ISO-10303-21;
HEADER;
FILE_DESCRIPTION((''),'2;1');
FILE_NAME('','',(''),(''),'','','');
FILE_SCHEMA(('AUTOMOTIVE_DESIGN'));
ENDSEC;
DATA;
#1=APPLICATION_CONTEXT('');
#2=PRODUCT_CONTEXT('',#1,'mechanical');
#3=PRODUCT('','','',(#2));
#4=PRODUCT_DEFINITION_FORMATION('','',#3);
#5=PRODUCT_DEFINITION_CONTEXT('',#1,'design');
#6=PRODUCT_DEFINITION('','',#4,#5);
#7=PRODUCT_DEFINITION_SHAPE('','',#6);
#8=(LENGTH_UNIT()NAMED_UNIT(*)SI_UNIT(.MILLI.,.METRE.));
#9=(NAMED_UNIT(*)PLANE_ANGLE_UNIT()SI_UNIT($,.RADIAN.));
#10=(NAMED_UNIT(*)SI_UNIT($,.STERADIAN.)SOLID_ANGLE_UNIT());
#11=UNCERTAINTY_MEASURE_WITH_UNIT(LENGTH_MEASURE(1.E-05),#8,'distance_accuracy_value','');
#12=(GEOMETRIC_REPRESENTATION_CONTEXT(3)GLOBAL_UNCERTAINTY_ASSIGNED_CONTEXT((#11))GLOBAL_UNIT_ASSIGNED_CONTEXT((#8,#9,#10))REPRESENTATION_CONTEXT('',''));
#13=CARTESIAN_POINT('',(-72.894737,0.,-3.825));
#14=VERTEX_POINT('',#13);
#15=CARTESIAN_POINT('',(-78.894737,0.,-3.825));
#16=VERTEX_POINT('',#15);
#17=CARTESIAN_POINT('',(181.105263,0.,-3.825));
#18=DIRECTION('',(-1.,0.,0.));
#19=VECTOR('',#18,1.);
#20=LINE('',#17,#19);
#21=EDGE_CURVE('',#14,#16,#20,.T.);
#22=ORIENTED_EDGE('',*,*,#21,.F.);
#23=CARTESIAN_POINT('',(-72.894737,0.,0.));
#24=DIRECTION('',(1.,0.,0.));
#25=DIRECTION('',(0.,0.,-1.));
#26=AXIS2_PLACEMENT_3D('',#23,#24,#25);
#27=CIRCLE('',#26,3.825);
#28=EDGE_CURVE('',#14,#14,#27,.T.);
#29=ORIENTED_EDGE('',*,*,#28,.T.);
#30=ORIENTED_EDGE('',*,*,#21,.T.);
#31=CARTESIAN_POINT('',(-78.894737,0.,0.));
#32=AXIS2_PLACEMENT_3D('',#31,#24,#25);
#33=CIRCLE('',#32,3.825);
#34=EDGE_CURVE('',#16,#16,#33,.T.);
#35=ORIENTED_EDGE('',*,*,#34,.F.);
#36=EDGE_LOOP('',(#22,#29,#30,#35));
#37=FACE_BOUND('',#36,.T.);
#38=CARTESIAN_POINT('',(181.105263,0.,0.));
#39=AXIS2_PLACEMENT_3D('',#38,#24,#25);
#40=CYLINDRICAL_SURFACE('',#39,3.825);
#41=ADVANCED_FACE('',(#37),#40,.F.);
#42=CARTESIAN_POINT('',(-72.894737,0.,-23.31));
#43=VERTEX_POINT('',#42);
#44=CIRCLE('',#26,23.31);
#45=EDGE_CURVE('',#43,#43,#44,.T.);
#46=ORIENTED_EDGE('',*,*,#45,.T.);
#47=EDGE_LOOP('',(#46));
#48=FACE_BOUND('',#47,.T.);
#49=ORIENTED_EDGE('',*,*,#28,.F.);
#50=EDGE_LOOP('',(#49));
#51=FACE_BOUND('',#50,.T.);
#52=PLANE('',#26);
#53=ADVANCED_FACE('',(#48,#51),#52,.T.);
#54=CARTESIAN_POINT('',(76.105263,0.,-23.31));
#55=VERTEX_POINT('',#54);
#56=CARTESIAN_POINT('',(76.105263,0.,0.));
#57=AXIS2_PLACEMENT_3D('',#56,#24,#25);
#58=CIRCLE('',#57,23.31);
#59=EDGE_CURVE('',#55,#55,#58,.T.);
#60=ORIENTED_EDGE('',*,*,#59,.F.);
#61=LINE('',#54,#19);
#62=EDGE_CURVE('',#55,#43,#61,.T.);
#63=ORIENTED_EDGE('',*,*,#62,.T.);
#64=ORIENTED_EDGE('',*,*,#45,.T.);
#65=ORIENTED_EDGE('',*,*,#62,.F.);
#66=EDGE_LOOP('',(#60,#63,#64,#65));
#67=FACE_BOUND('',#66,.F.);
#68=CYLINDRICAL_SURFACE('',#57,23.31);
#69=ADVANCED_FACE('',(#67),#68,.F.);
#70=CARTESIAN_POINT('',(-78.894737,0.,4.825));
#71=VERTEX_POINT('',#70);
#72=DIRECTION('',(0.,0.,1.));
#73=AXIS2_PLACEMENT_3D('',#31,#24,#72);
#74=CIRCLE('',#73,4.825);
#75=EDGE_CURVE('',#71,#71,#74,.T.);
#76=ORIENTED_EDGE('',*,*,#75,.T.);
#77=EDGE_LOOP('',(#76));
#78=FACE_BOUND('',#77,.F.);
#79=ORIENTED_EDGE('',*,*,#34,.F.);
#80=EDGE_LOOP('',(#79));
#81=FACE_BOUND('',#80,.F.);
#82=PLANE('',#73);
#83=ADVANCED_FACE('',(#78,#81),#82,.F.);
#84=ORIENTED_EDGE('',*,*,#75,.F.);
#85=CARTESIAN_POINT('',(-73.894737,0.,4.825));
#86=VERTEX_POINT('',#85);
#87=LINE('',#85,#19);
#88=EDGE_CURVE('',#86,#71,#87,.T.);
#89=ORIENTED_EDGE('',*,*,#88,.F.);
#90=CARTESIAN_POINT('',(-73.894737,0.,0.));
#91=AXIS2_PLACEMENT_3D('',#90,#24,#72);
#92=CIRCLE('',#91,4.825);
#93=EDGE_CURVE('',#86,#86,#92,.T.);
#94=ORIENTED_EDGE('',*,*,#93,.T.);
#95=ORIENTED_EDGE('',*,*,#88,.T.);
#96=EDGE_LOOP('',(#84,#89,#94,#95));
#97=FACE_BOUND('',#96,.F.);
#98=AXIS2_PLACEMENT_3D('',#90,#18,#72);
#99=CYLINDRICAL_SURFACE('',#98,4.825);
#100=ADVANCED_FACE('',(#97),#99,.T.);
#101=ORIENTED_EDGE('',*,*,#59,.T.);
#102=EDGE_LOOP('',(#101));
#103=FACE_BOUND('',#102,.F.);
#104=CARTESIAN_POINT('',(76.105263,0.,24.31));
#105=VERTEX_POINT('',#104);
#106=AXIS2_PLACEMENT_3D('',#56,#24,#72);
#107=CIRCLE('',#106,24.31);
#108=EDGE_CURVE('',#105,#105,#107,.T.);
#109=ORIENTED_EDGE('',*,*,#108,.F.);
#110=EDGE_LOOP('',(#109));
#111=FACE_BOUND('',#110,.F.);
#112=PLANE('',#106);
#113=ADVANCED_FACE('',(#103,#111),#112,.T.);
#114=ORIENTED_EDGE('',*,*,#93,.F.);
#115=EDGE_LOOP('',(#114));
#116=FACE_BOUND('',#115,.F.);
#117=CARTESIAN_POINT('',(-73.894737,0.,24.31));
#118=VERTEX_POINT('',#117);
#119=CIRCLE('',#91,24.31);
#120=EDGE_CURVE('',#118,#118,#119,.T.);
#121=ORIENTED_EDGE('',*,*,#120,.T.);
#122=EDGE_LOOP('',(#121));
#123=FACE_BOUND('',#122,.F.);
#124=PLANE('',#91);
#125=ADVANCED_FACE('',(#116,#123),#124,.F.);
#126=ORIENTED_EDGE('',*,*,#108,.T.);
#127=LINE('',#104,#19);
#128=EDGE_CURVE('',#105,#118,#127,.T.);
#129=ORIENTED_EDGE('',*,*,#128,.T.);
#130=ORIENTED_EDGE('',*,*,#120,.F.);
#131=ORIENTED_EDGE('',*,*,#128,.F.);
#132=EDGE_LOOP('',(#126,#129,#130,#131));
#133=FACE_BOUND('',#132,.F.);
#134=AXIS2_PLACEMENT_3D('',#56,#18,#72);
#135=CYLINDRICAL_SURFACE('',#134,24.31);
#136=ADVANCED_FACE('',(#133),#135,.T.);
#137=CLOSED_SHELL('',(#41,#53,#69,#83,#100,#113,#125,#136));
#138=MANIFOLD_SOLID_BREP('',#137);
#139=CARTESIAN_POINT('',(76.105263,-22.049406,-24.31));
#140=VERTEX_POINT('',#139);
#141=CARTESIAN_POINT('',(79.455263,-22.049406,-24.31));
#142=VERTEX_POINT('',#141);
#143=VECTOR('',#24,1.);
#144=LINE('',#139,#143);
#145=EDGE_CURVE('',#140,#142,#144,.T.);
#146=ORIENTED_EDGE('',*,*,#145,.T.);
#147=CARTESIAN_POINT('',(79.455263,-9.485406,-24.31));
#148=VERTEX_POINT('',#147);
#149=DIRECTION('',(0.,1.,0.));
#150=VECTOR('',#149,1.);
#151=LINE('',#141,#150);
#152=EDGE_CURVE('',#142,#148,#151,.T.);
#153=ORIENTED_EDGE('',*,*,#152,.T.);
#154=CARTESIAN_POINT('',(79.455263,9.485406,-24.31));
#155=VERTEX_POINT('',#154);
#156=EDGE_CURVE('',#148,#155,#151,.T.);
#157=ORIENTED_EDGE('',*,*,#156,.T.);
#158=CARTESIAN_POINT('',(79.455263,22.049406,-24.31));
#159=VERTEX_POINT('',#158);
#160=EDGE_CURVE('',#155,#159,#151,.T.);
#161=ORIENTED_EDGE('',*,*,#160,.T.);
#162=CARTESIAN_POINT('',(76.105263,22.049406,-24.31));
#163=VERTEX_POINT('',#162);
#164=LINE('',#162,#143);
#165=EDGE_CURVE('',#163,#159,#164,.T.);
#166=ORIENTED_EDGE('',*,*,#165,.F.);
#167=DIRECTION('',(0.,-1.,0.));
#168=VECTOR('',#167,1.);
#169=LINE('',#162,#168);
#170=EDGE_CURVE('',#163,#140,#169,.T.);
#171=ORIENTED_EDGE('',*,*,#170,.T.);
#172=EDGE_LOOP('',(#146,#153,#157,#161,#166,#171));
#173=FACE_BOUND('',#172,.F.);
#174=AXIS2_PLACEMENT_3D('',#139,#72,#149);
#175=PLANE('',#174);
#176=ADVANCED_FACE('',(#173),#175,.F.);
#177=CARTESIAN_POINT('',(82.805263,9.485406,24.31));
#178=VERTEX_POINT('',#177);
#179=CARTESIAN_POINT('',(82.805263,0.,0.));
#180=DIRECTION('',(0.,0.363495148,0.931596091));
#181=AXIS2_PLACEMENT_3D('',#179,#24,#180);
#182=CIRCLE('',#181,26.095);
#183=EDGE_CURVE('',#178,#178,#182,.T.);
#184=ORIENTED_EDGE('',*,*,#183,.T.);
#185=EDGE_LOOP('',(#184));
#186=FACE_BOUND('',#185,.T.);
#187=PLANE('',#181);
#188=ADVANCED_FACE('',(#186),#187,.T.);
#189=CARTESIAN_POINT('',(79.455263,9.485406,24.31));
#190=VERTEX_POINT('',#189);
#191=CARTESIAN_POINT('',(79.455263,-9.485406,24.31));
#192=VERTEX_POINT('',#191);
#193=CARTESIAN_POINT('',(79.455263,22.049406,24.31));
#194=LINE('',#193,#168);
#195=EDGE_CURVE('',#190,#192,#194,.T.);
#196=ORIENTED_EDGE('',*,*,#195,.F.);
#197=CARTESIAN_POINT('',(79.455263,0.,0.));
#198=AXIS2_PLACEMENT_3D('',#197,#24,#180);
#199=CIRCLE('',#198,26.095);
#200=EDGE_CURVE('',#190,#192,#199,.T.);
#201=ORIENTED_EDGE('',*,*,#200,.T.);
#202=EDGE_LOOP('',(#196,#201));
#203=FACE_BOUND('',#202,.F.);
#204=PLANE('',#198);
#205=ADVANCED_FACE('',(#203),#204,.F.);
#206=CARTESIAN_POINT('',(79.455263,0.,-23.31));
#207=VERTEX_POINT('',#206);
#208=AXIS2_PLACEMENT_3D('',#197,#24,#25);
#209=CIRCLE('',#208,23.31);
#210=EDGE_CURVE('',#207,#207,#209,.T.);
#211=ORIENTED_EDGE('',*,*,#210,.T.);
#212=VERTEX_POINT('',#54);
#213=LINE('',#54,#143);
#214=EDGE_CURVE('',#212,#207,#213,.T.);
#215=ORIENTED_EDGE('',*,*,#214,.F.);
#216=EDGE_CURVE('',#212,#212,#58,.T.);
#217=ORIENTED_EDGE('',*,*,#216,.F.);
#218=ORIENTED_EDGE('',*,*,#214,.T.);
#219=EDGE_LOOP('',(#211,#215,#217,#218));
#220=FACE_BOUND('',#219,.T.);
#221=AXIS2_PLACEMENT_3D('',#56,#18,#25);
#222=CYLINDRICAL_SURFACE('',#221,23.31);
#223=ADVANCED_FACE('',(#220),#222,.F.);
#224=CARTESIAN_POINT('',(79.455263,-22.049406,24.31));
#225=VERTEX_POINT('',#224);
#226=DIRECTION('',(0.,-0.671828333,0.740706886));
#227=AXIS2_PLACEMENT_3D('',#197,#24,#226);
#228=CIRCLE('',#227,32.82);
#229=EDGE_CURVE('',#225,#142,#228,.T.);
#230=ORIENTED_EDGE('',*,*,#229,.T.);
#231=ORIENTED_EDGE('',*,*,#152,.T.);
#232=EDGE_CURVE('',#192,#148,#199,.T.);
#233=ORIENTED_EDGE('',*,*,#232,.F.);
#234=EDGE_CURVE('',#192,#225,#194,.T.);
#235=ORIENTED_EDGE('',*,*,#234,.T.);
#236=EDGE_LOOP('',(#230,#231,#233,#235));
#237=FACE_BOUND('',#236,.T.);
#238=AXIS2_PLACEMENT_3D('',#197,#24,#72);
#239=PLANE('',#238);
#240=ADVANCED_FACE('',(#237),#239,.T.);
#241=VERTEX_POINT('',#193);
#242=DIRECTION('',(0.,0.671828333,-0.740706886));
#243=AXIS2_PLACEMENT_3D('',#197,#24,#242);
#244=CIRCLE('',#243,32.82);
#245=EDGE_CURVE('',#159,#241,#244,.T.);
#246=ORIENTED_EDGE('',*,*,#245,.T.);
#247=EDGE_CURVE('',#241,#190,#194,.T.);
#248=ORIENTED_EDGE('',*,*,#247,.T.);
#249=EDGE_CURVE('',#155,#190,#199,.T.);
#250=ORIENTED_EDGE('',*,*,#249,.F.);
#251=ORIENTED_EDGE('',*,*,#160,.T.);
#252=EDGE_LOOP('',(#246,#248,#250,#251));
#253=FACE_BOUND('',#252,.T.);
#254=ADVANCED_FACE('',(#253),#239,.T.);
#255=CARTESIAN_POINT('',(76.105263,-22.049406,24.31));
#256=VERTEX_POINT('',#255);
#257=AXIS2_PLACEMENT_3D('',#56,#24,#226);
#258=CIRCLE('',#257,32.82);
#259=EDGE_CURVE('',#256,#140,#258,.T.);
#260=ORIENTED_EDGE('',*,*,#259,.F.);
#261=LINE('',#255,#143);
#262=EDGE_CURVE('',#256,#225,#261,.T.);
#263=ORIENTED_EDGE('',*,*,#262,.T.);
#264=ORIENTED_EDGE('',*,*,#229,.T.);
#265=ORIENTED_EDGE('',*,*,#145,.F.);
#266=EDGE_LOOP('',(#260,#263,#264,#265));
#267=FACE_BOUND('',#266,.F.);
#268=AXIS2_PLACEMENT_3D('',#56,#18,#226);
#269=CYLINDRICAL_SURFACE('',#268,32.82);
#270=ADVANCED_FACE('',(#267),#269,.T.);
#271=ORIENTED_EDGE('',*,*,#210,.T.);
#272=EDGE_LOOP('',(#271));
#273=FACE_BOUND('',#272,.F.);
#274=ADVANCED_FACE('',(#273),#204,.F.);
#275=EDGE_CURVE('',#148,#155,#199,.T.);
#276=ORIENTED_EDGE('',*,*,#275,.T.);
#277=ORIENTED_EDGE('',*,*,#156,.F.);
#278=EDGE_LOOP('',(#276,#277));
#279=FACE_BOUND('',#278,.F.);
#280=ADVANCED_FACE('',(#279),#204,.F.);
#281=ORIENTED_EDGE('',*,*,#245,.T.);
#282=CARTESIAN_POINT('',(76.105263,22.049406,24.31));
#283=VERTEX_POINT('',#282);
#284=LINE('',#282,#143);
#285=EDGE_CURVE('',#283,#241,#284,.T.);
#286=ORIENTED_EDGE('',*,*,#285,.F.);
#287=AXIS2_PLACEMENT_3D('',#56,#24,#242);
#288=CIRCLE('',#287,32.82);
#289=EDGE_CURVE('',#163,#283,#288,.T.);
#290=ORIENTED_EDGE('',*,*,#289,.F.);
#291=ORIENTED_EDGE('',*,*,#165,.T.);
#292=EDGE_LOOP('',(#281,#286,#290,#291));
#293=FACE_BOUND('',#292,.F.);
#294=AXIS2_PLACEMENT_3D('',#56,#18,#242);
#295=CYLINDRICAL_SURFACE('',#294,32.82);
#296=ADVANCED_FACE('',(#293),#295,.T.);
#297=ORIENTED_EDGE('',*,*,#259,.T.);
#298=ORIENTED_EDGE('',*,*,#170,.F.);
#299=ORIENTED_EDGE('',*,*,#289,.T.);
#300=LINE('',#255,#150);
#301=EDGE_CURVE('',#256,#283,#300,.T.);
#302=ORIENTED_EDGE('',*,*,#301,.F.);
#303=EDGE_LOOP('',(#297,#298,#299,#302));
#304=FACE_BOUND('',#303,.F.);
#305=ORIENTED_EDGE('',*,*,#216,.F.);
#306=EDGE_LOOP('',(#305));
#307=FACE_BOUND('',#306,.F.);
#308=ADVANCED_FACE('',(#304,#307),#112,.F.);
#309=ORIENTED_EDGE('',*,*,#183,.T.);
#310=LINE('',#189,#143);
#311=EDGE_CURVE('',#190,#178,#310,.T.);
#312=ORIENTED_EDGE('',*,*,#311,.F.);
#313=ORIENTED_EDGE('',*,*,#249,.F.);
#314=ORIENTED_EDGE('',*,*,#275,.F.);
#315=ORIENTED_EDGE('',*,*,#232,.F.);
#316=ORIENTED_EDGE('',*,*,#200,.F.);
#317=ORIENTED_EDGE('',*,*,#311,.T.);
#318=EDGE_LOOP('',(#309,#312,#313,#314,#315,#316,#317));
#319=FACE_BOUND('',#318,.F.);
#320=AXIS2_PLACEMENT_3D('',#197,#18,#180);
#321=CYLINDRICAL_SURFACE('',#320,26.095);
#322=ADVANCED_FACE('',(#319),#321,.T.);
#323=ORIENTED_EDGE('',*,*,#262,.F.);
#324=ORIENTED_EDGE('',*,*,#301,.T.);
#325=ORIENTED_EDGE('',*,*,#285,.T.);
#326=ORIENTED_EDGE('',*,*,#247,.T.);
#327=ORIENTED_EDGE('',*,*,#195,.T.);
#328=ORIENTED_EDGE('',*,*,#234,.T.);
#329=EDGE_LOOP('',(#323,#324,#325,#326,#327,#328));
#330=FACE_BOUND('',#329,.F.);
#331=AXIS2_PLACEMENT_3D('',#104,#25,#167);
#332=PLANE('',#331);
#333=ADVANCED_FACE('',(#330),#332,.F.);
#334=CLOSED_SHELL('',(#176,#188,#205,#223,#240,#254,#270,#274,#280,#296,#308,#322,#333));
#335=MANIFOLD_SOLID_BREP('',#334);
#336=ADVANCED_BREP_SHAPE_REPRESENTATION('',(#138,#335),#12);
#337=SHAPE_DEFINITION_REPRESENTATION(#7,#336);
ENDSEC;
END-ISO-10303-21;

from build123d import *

# Parameters (mm, degrees)
CUT_EXTRUDE1_DEPTH      = 45
CUT_EXTRUDE1_DEPTH_BACK = 260
SKETCH2_R               = 3.825
SKETCH3_R               = 23.31
CUT_EXTRUDE2_DEPTH      = 149
SKETCH4_R               = 24.31
SKETCH4_R_2             = 23.31
BOSS_EXTRUDE1_DEPTH     = 3.35
SKETCH6_R               = 26.095
BOSS_EXTRUDE7_DEPTH     = 3.35


with BuildPart() as part:
    # Sketch1 → Revolve2 (revolve)
    with BuildSketch(Plane.XY, mode=Mode.PRIVATE) as revolve2_sk:
        Polygon((-73.894736842, 0), (76.105263158, 0), (76.105263158, 24.31), (-73.894736842, 24.31), (-73.894736842, 4.825), (-78.894736842, 4.825), (-78.894736842, 0), align=None)
    revolve(revolve2_sk.sketch.rotate(Axis((-73.894736842, 0, 0), (1, 0, 0)), 90), axis=Axis((-73.894736842, 0, 0), (1, 0, 0)))

    # Sketch2 → Cut-Extrude1 (cut, two sides: drawn at the far end of the back side and taken through both)
    with BuildSketch(Plane.ZY.offset(78.894736842).offset(-CUT_EXTRUDE1_DEPTH_BACK)):
        with Locations(Location((0, 0, 0), (0, 0, 180))):
            Circle(SKETCH2_R)
    extrude(amount=CUT_EXTRUDE1_DEPTH + CUT_EXTRUDE1_DEPTH_BACK, mode=Mode.SUBTRACT)

    # Sketch3 → Cut-Extrude2 (cut)
    with BuildSketch(Plane(origin=(76.105263158, 0, 0), x_dir=(0, 0, -1), z_dir=(1, 0, 0))):
        Circle(SKETCH3_R)
    extrude(amount=-CUT_EXTRUDE2_DEPTH, mode=Mode.SUBTRACT)


with BuildPart() as body_2:
    # Sketch4 → Boss-Extrude1 (new body)
    # profile 1 of 4: a face of its own
    with BuildSketch(Plane(origin=(76.105263158, 0, 0), x_dir=(0, 0, -1), z_dir=(1, 0, 0))):
        with BuildLine():
            ThreePointArc((-24.31, 0), (0, 24.31), (24.31, 0))
            Line((24.31, 0), (24.31, 22.049405888))
            ThreePointArc((24.31, 22.049405888), (0, 32.82), (-24.31, 22.049405888))
            Line((-24.31, 22.049405888), (-24.31, 0))
        make_face()
    # profile 2 of 4: a face of its own
    with BuildSketch(Plane(origin=(76.105263158, 0, 0), x_dir=(0, 0, -1), z_dir=(1, 0, 0))):
        with BuildLine():
            ThreePointArc((-24.31, 0), (0, 24.31), (24.31, 0))
            Line((24.31, 0), (24.31, 22.049405888))
            ThreePointArc((24.31, 22.049405888), (0, 32.82), (-24.31, 22.049405888))
            Line((-24.31, 22.049405888), (-24.31, 0))
        make_face()
    # profile 3 of 4: a face of its own
    with BuildSketch(Plane(origin=(76.105263158, 0, 0), x_dir=(0, 0, -1), z_dir=(1, 0, 0))):
        with BuildLine():
            Line((24.31, -22.049405888), (24.31, 0))
            ThreePointArc((24.31, 0), (0, -24.31), (-24.31, 0))
            Line((-24.31, 0), (-24.31, -22.049405888))
            ThreePointArc((-24.31, -22.049405888), (0, -32.82), (24.31, -22.049405888))
        make_face()
    # profile 4 of 4: a face of its own
    with BuildSketch(Plane(origin=(76.105263158, 0, 0), x_dir=(0, 0, -1), z_dir=(1, 0, 0))):
        with Locations(Location((0, 0, 0), (0, 0, 180))):
            Circle(SKETCH4_R)
        Circle(SKETCH4_R_2, mode=Mode.SUBTRACT)
    extrude(amount=BOSS_EXTRUDE1_DEPTH)

    # Sketch6 → Boss-Extrude7 (add)
    with BuildSketch(Plane(origin=(79.455263158, 0, 0), x_dir=(0, 0, -1), z_dir=(1, 0, 0))):
        with Locations(Location((0, 0, 0), (0, 0, 158.684999133))):
            Circle(SKETCH6_R)
    extrude(amount=BOSS_EXTRUDE7_DEPTH)


solid = Compound([part.part, body_2.part])
